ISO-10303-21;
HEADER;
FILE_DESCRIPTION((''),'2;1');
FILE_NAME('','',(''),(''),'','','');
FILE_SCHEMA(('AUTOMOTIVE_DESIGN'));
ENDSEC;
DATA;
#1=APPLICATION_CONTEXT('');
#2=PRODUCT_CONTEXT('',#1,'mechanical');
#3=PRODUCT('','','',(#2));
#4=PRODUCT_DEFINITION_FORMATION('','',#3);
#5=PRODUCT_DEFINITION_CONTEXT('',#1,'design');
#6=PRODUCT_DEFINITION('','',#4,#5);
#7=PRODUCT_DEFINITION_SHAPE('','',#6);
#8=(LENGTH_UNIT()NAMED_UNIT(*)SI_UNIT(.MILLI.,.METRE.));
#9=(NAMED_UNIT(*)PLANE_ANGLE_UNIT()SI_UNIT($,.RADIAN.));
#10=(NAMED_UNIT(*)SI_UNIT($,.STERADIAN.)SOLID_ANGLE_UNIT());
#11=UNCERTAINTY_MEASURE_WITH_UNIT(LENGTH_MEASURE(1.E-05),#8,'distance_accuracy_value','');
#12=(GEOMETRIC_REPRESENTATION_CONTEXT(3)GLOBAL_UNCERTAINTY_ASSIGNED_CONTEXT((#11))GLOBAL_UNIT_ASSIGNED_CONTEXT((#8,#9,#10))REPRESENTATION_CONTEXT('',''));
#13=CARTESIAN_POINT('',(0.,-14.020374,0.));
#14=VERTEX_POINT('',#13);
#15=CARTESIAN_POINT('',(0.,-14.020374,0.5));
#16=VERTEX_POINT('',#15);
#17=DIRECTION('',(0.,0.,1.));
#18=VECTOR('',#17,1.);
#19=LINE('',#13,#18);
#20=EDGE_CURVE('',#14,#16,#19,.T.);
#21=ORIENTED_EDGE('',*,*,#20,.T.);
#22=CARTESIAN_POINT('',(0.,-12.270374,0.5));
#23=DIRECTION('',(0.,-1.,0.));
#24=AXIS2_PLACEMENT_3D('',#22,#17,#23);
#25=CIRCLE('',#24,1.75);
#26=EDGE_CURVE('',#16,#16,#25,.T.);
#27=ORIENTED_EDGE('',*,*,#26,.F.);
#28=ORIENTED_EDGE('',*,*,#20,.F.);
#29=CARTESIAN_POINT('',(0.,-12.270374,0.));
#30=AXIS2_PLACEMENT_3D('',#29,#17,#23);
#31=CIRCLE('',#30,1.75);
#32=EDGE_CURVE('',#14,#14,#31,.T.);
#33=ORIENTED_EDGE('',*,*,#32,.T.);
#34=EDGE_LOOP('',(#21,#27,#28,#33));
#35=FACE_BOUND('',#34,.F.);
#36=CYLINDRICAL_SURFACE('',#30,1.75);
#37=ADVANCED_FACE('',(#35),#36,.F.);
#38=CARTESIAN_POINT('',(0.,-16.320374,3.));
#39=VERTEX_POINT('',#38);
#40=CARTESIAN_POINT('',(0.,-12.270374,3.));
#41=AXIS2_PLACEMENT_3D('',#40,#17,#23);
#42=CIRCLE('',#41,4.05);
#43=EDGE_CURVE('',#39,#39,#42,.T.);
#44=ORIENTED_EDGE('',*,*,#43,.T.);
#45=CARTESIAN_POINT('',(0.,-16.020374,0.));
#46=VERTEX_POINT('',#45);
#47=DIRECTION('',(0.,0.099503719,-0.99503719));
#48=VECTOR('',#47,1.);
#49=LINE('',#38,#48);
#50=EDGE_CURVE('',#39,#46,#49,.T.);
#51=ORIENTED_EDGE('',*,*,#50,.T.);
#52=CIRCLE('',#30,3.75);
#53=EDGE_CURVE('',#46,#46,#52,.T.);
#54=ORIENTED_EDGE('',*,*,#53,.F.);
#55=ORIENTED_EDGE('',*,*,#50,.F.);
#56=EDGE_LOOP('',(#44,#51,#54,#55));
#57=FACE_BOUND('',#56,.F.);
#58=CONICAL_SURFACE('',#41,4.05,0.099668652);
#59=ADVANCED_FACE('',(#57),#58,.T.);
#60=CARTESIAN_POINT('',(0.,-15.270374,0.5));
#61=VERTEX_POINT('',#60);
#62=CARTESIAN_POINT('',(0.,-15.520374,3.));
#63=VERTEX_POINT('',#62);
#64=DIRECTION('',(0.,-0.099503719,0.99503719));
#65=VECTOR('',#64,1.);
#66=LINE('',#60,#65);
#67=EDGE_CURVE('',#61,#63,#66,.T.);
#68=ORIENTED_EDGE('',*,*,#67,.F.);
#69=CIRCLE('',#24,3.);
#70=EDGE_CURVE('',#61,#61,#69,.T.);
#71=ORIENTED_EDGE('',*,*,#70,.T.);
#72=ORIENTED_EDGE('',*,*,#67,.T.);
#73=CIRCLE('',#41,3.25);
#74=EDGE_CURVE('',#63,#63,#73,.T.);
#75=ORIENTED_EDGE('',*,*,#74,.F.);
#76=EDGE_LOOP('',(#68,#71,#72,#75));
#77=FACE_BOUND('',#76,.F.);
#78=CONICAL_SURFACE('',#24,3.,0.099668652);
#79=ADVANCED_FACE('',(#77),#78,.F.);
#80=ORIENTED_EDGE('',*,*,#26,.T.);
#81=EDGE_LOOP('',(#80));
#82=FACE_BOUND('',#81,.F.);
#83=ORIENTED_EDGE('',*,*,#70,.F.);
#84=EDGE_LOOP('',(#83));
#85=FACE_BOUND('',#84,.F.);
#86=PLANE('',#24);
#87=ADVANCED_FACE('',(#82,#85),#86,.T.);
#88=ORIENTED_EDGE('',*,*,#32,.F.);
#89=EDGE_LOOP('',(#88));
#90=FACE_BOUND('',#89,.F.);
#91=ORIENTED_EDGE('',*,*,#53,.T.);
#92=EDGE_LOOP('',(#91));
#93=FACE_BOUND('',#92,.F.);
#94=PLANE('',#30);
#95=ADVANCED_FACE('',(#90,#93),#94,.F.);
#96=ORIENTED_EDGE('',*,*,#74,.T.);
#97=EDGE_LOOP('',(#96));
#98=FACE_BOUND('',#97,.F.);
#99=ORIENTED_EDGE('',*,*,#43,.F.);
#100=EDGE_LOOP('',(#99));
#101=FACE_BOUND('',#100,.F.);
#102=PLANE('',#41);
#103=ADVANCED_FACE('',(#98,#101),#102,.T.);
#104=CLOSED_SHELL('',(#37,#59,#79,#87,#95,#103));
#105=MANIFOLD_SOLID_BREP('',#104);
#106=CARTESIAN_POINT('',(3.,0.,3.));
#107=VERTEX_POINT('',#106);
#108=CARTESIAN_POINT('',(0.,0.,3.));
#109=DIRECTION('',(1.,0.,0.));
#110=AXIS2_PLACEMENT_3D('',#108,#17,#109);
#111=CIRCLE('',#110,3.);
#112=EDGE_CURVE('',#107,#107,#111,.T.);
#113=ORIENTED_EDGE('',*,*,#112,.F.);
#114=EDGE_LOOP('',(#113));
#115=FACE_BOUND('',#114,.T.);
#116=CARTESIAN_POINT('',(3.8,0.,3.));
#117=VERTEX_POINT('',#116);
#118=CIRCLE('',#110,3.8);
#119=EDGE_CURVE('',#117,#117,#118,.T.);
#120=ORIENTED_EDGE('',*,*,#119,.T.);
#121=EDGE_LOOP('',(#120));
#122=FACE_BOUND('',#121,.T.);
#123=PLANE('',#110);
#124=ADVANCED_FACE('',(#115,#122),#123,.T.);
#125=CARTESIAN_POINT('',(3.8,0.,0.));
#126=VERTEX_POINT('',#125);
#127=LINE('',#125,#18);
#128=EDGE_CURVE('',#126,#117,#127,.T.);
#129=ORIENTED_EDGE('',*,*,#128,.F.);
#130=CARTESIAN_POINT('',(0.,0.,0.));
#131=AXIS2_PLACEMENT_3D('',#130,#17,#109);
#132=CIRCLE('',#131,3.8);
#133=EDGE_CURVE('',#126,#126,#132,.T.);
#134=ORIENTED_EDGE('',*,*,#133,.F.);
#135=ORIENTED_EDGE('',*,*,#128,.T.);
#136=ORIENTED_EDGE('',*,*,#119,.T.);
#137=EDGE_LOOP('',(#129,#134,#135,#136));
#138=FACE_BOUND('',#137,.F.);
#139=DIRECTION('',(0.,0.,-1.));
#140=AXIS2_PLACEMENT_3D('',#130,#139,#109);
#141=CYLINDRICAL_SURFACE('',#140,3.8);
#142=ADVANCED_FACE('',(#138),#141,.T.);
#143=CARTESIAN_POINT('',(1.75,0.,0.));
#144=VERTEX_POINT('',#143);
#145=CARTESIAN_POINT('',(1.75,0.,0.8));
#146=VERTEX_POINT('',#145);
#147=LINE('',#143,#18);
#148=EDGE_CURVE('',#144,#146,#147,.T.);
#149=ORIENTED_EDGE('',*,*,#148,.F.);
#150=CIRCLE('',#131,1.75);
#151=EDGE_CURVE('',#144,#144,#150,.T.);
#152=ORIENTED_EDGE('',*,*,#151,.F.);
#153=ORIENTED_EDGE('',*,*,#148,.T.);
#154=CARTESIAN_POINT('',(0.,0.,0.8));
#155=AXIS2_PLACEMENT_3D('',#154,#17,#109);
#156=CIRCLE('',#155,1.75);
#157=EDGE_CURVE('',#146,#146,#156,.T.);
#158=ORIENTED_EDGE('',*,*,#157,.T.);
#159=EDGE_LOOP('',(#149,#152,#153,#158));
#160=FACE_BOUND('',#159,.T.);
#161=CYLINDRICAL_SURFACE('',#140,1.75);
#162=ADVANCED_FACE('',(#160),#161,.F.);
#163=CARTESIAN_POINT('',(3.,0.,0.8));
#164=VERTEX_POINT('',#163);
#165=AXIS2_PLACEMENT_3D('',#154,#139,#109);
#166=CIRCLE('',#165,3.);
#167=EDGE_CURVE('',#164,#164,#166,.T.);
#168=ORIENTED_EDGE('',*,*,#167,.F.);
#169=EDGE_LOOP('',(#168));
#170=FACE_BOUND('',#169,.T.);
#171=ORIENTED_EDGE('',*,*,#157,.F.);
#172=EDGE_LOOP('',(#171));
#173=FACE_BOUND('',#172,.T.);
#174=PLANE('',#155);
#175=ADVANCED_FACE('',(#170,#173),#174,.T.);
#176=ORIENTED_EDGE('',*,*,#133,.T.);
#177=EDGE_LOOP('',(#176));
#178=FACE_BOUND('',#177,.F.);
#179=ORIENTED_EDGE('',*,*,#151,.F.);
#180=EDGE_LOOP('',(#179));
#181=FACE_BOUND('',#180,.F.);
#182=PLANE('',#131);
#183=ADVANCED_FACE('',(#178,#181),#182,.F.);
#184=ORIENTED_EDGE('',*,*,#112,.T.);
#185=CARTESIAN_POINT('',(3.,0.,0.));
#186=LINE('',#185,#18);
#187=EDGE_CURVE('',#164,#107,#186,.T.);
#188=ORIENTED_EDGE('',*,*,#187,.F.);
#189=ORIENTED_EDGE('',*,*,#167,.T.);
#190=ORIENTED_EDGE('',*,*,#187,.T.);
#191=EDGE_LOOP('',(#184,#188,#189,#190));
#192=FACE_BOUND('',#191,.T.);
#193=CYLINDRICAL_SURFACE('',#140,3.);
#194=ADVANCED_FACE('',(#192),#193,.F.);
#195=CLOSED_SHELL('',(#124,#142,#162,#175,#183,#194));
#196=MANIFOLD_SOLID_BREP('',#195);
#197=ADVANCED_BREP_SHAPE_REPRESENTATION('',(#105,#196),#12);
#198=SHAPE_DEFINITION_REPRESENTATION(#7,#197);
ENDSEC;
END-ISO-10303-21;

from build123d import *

# Parameters (mm, degrees)
F0_R     = 3.8
F0_R_2   = 1.75
F1_DEPTH = 3
F2_T     = -0.8


with BuildPart() as f1:
    # F0 (on Top) → F1 (new body)
    with BuildSketch(Plane.XY):
        Circle(F0_R)
        Circle(F0_R_2, mode=Mode.SUBTRACT)
    extrude(amount=F1_DEPTH)

    # F2
    f2_openings = [f1.faces().sort_by_distance(p)[0] for p in [
        (-3.69252, 0, 3),
        (-1.75, 0, 1.5),
    ]]
    offset(amount=F2_T, openings=f2_openings)


with BuildPart() as f4:
    # F3 (on Right) → F4 (revolve)
    with BuildSketch(Plane.YZ):
        Polygon((-15.220374, 0), (-14.020374, 0), (-14.020374, 0.5), (-15.270374, 0.5), (-15.520374, 3), (-16.320374, 3), (-16.020374, 0), align=None)
    revolve(axis=Axis((0, -12.270374, 2.215799), (0, 0, 1)))


solid = Compound([f1.part, f4.part])
